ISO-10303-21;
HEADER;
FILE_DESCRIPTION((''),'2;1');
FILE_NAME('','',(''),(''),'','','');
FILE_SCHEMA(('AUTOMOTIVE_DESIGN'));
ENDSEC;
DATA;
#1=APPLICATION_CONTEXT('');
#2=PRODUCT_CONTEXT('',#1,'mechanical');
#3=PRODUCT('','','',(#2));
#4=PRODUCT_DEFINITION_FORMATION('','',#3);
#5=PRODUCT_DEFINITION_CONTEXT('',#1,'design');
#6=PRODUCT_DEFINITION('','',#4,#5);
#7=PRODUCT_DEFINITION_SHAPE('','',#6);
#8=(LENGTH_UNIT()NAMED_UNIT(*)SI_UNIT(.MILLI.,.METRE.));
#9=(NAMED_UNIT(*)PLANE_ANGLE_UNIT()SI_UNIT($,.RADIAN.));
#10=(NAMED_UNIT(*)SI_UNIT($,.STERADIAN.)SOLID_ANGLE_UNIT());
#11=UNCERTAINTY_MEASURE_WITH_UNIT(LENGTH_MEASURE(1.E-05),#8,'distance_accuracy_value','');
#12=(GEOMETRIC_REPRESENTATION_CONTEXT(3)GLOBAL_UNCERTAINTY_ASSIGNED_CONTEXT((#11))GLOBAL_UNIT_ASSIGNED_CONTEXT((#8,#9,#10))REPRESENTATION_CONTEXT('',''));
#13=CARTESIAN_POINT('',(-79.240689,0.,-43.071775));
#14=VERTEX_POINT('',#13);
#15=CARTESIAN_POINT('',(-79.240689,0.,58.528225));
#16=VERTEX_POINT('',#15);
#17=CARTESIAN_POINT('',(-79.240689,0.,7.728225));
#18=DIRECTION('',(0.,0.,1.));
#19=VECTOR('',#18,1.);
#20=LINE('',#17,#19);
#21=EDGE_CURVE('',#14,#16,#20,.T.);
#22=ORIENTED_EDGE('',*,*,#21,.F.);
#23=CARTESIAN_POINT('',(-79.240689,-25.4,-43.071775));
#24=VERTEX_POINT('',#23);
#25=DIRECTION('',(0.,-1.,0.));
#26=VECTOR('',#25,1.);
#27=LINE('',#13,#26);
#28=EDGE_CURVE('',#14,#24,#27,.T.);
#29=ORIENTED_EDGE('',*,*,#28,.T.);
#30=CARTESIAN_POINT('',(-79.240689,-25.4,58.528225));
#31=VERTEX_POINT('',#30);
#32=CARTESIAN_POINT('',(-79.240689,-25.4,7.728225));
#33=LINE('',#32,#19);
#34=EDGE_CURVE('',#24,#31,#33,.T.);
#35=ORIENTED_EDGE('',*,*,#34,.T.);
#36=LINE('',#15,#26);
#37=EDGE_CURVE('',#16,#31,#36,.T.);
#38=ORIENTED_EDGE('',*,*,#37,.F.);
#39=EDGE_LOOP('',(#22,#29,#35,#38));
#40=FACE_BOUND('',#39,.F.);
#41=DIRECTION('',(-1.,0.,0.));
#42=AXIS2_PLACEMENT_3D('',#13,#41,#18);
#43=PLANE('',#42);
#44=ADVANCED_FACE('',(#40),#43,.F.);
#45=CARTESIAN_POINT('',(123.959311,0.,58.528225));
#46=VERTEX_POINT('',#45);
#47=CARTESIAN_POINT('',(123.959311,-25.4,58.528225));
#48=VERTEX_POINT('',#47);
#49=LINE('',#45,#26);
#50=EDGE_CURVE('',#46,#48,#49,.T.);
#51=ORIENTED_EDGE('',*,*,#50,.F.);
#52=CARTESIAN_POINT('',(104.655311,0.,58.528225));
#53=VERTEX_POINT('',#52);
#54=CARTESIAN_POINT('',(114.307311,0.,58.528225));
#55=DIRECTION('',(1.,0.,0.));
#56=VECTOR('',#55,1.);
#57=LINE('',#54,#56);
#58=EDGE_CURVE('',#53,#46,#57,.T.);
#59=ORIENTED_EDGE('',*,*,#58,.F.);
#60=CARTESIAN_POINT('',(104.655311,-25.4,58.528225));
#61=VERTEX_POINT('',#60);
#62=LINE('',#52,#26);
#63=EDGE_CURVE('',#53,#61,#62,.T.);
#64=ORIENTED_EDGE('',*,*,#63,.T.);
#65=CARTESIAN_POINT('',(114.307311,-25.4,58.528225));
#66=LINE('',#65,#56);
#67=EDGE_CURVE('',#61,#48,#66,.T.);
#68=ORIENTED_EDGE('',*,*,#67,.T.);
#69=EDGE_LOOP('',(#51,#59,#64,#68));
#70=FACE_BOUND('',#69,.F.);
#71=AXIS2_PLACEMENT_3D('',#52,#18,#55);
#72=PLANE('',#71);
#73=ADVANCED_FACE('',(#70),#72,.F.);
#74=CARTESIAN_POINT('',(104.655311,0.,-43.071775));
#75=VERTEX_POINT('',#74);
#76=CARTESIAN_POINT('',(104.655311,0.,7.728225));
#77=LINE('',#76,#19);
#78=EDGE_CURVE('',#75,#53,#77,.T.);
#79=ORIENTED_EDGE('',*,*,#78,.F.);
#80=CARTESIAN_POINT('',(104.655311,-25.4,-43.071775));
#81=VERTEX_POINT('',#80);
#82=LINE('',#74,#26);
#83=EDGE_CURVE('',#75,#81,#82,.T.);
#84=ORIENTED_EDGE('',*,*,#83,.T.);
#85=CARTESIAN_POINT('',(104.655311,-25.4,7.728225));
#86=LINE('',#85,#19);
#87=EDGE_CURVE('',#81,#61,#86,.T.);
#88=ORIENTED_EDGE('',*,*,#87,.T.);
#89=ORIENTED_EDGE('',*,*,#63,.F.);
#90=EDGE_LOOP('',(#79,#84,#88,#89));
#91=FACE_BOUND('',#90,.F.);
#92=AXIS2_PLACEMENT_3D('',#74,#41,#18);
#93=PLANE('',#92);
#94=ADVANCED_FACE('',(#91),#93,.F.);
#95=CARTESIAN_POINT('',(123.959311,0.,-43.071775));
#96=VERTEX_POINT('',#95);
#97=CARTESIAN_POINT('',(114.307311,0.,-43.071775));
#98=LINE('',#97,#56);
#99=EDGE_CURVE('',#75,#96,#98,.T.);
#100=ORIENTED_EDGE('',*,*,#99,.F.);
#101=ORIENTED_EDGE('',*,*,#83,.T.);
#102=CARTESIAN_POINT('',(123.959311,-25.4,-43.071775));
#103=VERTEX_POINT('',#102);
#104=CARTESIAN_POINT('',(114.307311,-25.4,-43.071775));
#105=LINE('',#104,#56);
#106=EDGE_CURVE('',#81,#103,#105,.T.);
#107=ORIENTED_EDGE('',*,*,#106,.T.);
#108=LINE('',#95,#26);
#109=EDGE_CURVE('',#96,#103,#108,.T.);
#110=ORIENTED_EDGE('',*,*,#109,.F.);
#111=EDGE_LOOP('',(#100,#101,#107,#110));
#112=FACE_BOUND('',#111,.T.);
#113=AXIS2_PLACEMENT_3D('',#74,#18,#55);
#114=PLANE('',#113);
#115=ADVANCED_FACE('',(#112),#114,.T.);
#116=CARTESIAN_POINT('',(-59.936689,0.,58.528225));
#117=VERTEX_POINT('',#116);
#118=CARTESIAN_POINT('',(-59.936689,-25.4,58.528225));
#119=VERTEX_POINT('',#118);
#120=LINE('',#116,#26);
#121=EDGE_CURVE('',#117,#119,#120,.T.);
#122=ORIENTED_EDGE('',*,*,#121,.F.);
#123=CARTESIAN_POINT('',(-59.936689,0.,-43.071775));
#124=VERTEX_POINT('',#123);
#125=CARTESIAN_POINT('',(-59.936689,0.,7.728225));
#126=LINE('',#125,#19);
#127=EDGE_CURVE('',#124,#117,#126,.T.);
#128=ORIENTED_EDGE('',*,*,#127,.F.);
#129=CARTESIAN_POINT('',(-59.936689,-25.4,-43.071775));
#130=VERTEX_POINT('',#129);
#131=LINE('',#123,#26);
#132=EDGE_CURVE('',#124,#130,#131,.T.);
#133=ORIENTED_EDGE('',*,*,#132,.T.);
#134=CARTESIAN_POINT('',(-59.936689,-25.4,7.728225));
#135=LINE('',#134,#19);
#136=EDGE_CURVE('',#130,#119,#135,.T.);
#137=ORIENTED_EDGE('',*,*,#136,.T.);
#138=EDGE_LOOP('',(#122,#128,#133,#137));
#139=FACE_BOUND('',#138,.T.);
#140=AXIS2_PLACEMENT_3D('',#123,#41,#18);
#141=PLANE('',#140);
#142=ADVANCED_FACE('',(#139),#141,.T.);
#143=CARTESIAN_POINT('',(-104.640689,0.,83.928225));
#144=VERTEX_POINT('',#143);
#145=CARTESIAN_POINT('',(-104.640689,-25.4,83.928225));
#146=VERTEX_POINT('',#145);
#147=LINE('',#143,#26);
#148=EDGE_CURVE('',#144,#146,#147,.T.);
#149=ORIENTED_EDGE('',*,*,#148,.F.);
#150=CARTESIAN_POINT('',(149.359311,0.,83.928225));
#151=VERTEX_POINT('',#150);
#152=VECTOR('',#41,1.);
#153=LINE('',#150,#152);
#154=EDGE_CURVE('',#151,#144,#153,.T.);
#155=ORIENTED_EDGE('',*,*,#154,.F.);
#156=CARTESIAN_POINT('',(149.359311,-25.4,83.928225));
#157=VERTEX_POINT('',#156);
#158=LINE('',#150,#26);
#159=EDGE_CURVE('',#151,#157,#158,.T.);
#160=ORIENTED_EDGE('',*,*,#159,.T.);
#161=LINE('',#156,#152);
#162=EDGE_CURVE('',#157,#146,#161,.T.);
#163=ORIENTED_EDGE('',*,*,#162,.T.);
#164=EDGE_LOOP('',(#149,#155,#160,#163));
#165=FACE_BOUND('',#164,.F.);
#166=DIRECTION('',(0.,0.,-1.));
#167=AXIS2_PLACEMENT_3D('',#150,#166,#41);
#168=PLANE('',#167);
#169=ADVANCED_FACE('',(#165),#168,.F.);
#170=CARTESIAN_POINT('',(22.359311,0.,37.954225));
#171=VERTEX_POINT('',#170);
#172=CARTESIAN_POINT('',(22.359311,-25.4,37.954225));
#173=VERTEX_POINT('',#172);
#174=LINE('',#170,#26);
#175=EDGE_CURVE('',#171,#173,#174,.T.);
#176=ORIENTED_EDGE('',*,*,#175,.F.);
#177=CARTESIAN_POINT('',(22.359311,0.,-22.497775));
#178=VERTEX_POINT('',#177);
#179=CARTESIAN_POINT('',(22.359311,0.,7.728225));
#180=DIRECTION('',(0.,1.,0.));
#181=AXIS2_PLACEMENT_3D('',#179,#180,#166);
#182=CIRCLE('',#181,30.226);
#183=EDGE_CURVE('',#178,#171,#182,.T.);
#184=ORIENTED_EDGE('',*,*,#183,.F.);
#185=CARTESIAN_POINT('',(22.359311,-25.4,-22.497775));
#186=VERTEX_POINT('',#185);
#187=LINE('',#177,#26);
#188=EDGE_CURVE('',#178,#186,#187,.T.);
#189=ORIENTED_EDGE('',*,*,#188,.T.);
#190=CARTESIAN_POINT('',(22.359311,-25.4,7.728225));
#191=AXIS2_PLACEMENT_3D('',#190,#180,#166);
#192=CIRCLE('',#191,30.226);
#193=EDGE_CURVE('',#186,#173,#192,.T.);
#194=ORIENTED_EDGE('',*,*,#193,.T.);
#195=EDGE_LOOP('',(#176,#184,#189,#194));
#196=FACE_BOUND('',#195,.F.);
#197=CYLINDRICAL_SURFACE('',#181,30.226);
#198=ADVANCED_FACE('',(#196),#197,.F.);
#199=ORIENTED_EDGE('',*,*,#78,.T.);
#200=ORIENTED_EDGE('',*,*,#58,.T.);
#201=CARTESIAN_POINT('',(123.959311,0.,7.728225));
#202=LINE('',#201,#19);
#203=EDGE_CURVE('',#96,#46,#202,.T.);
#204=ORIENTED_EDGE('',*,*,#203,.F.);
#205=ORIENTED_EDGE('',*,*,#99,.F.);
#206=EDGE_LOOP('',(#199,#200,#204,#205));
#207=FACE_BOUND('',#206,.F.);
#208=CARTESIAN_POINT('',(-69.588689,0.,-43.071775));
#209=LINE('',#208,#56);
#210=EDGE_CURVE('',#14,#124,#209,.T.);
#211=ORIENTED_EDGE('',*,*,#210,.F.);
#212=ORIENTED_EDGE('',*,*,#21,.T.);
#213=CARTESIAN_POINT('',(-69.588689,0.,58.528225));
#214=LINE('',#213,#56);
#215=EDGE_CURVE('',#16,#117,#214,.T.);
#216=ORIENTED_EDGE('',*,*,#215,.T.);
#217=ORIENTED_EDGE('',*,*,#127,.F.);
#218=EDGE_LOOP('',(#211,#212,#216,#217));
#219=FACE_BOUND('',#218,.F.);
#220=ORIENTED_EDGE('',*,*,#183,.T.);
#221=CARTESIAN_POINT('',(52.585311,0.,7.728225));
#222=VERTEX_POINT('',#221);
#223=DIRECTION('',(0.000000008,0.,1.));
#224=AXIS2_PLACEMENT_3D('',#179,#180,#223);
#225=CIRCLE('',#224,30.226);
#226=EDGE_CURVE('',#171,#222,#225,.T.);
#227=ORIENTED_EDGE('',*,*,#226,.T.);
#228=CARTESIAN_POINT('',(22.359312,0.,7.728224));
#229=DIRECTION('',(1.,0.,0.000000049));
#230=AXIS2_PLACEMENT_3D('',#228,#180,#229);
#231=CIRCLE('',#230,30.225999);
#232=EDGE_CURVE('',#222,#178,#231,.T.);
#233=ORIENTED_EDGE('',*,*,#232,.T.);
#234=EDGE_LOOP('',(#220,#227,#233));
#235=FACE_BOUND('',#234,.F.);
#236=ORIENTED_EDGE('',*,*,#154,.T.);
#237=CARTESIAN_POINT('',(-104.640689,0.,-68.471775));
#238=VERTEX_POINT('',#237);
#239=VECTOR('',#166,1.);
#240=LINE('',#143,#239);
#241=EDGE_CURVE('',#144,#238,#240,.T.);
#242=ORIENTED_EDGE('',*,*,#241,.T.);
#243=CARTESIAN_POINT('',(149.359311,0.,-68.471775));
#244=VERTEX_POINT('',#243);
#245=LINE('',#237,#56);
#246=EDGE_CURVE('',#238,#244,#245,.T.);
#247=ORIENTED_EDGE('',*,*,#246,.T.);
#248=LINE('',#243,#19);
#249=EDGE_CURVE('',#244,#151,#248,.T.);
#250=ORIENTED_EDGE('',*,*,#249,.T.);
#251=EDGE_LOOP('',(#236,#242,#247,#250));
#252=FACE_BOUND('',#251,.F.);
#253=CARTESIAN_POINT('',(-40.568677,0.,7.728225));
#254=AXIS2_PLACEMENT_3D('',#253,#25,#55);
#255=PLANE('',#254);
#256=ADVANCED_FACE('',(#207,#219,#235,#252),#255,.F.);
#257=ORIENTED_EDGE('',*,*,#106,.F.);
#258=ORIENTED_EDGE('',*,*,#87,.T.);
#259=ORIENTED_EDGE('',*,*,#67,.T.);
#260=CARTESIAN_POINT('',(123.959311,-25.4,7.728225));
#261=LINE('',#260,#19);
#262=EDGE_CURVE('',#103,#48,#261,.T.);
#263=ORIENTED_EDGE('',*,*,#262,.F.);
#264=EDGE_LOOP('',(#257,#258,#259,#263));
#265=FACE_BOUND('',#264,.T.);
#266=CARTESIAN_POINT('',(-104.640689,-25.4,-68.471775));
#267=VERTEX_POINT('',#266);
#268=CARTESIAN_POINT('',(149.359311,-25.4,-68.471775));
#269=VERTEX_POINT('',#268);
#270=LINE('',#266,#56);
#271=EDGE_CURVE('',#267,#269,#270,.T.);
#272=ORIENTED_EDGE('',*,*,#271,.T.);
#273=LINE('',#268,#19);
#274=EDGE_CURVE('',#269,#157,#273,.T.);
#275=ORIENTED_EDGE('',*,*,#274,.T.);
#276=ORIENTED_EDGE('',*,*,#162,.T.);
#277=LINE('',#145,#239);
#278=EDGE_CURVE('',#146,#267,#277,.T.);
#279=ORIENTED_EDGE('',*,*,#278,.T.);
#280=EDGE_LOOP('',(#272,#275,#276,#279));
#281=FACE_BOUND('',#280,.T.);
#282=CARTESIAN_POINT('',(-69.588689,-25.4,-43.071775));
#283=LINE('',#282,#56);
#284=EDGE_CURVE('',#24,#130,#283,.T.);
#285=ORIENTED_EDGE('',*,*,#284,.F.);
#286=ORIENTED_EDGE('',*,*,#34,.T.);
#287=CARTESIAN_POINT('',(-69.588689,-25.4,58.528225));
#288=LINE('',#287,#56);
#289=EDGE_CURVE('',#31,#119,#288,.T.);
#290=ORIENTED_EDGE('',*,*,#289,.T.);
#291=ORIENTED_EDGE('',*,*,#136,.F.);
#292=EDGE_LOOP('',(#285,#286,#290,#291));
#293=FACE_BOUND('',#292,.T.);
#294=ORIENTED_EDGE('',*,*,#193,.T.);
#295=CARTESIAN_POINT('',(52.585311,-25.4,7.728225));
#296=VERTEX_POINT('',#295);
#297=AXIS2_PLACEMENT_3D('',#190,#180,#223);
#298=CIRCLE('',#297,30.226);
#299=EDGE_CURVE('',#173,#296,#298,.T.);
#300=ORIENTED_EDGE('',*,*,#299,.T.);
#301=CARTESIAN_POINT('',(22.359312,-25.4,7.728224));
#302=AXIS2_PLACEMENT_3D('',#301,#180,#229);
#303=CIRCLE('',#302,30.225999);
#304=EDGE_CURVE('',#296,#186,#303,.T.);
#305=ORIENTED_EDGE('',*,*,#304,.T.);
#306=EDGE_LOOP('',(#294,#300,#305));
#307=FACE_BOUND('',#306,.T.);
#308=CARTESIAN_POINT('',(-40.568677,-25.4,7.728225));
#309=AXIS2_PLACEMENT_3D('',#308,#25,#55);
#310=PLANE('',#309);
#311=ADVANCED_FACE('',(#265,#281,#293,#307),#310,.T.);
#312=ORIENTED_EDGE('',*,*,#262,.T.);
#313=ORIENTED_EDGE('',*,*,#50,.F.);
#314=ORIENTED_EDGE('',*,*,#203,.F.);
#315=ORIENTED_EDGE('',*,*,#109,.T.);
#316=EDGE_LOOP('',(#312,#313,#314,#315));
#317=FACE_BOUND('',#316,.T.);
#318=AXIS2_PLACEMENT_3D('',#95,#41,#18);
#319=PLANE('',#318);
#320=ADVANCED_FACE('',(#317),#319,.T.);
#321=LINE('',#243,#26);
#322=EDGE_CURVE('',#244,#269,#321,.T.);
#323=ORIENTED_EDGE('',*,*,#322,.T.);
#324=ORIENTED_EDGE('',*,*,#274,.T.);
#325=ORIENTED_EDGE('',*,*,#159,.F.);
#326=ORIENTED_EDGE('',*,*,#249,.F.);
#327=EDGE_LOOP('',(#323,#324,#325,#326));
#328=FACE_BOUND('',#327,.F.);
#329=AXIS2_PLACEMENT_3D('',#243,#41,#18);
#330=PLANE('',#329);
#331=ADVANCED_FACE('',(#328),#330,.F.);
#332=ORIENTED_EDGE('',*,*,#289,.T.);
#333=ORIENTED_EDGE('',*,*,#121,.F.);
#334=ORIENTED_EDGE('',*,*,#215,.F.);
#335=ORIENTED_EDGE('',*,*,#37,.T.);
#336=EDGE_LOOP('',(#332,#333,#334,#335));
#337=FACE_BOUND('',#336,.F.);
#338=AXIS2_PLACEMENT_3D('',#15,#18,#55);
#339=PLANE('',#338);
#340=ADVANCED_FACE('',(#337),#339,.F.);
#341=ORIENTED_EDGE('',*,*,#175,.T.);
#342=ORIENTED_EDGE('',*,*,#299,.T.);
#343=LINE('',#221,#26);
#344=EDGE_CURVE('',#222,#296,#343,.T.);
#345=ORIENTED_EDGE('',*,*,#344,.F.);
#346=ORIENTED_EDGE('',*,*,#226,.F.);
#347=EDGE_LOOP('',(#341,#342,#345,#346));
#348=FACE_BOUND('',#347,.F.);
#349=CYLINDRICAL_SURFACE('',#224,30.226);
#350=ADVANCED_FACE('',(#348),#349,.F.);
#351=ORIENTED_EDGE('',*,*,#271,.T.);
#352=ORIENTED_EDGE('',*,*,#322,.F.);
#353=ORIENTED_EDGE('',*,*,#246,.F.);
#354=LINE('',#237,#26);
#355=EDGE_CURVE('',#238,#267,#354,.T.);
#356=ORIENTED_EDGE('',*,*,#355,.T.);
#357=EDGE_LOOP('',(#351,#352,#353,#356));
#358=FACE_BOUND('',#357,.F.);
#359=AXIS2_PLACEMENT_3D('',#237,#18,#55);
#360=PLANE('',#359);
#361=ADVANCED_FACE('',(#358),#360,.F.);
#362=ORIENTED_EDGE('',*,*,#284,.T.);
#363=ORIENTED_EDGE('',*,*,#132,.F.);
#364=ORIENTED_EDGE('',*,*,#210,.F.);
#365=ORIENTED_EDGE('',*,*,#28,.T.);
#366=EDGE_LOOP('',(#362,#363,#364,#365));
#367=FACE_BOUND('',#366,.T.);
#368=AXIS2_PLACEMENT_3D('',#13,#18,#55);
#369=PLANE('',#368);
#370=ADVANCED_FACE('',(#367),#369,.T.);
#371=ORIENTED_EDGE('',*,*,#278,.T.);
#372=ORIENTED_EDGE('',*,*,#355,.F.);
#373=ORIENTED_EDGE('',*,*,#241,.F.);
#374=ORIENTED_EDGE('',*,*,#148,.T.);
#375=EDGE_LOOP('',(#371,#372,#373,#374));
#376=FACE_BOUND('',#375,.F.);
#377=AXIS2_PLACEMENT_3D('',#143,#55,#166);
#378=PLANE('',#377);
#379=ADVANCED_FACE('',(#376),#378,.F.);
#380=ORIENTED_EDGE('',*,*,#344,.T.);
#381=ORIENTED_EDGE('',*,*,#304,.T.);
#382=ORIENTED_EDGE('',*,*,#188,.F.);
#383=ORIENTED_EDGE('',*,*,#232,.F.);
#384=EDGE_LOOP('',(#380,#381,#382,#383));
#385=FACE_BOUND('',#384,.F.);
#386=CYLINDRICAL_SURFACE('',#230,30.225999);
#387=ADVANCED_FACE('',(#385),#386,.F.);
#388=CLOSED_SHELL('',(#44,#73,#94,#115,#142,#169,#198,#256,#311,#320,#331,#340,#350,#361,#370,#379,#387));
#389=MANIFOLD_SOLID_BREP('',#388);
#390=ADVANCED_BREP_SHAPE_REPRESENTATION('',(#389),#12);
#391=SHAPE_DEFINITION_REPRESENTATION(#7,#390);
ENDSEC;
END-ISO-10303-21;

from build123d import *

# Parameters (mm, degrees)
F0_W     = 19.304
F0_H     = 101.6
F1_DEPTH = 25.4


with BuildPart() as f1:
    # F0 (on Front) → F1 (new body)
    with BuildSketch(Plane.XZ):
        with BuildLine():
            Line((22.359311, 83.928225), (-104.640689, 83.928225))
            Line((-104.640689, 83.928225), (-104.640689, -68.471775))
            Line((-104.640689, -68.471775), (22.359311, -68.471775))
            Line((22.359311, -68.471775), (22.359311, -22.497775))
            ThreePointArc((22.359311, -22.497775), (-7.866689, 7.728225), (22.359311, 37.954225))
            Line((22.359311, 37.954225), (22.359311, 83.928225))
        make_face()
        with Locations((-69.588689, 7.728225)):
            Rectangle(F0_W, F0_H, mode=Mode.SUBTRACT)
        with BuildLine():
            Line((149.359311, 83.928225), (22.359311, 83.928225))
            Line((22.359311, 83.928225), (22.359311, 37.954225))
            ThreePointArc((22.359311, 37.954225), (43.732321, 29.101234), (52.585311, 7.728225))
            ThreePointArc((52.585311, 7.728225), (43.732321, -13.644785), (22.359311, -22.497775))
            Line((22.359311, -22.497775), (22.359311, -68.471775))
            Line((22.359311, -68.471775), (149.359311, -68.471775))
            Line((149.359311, -68.471775), (149.359311, 83.928225))
        make_face()
        with Locations((114.307311, 7.728225)):
            Rectangle(F0_W, F0_H, mode=Mode.SUBTRACT)
    extrude(amount=F1_DEPTH)


solid = f1.part
